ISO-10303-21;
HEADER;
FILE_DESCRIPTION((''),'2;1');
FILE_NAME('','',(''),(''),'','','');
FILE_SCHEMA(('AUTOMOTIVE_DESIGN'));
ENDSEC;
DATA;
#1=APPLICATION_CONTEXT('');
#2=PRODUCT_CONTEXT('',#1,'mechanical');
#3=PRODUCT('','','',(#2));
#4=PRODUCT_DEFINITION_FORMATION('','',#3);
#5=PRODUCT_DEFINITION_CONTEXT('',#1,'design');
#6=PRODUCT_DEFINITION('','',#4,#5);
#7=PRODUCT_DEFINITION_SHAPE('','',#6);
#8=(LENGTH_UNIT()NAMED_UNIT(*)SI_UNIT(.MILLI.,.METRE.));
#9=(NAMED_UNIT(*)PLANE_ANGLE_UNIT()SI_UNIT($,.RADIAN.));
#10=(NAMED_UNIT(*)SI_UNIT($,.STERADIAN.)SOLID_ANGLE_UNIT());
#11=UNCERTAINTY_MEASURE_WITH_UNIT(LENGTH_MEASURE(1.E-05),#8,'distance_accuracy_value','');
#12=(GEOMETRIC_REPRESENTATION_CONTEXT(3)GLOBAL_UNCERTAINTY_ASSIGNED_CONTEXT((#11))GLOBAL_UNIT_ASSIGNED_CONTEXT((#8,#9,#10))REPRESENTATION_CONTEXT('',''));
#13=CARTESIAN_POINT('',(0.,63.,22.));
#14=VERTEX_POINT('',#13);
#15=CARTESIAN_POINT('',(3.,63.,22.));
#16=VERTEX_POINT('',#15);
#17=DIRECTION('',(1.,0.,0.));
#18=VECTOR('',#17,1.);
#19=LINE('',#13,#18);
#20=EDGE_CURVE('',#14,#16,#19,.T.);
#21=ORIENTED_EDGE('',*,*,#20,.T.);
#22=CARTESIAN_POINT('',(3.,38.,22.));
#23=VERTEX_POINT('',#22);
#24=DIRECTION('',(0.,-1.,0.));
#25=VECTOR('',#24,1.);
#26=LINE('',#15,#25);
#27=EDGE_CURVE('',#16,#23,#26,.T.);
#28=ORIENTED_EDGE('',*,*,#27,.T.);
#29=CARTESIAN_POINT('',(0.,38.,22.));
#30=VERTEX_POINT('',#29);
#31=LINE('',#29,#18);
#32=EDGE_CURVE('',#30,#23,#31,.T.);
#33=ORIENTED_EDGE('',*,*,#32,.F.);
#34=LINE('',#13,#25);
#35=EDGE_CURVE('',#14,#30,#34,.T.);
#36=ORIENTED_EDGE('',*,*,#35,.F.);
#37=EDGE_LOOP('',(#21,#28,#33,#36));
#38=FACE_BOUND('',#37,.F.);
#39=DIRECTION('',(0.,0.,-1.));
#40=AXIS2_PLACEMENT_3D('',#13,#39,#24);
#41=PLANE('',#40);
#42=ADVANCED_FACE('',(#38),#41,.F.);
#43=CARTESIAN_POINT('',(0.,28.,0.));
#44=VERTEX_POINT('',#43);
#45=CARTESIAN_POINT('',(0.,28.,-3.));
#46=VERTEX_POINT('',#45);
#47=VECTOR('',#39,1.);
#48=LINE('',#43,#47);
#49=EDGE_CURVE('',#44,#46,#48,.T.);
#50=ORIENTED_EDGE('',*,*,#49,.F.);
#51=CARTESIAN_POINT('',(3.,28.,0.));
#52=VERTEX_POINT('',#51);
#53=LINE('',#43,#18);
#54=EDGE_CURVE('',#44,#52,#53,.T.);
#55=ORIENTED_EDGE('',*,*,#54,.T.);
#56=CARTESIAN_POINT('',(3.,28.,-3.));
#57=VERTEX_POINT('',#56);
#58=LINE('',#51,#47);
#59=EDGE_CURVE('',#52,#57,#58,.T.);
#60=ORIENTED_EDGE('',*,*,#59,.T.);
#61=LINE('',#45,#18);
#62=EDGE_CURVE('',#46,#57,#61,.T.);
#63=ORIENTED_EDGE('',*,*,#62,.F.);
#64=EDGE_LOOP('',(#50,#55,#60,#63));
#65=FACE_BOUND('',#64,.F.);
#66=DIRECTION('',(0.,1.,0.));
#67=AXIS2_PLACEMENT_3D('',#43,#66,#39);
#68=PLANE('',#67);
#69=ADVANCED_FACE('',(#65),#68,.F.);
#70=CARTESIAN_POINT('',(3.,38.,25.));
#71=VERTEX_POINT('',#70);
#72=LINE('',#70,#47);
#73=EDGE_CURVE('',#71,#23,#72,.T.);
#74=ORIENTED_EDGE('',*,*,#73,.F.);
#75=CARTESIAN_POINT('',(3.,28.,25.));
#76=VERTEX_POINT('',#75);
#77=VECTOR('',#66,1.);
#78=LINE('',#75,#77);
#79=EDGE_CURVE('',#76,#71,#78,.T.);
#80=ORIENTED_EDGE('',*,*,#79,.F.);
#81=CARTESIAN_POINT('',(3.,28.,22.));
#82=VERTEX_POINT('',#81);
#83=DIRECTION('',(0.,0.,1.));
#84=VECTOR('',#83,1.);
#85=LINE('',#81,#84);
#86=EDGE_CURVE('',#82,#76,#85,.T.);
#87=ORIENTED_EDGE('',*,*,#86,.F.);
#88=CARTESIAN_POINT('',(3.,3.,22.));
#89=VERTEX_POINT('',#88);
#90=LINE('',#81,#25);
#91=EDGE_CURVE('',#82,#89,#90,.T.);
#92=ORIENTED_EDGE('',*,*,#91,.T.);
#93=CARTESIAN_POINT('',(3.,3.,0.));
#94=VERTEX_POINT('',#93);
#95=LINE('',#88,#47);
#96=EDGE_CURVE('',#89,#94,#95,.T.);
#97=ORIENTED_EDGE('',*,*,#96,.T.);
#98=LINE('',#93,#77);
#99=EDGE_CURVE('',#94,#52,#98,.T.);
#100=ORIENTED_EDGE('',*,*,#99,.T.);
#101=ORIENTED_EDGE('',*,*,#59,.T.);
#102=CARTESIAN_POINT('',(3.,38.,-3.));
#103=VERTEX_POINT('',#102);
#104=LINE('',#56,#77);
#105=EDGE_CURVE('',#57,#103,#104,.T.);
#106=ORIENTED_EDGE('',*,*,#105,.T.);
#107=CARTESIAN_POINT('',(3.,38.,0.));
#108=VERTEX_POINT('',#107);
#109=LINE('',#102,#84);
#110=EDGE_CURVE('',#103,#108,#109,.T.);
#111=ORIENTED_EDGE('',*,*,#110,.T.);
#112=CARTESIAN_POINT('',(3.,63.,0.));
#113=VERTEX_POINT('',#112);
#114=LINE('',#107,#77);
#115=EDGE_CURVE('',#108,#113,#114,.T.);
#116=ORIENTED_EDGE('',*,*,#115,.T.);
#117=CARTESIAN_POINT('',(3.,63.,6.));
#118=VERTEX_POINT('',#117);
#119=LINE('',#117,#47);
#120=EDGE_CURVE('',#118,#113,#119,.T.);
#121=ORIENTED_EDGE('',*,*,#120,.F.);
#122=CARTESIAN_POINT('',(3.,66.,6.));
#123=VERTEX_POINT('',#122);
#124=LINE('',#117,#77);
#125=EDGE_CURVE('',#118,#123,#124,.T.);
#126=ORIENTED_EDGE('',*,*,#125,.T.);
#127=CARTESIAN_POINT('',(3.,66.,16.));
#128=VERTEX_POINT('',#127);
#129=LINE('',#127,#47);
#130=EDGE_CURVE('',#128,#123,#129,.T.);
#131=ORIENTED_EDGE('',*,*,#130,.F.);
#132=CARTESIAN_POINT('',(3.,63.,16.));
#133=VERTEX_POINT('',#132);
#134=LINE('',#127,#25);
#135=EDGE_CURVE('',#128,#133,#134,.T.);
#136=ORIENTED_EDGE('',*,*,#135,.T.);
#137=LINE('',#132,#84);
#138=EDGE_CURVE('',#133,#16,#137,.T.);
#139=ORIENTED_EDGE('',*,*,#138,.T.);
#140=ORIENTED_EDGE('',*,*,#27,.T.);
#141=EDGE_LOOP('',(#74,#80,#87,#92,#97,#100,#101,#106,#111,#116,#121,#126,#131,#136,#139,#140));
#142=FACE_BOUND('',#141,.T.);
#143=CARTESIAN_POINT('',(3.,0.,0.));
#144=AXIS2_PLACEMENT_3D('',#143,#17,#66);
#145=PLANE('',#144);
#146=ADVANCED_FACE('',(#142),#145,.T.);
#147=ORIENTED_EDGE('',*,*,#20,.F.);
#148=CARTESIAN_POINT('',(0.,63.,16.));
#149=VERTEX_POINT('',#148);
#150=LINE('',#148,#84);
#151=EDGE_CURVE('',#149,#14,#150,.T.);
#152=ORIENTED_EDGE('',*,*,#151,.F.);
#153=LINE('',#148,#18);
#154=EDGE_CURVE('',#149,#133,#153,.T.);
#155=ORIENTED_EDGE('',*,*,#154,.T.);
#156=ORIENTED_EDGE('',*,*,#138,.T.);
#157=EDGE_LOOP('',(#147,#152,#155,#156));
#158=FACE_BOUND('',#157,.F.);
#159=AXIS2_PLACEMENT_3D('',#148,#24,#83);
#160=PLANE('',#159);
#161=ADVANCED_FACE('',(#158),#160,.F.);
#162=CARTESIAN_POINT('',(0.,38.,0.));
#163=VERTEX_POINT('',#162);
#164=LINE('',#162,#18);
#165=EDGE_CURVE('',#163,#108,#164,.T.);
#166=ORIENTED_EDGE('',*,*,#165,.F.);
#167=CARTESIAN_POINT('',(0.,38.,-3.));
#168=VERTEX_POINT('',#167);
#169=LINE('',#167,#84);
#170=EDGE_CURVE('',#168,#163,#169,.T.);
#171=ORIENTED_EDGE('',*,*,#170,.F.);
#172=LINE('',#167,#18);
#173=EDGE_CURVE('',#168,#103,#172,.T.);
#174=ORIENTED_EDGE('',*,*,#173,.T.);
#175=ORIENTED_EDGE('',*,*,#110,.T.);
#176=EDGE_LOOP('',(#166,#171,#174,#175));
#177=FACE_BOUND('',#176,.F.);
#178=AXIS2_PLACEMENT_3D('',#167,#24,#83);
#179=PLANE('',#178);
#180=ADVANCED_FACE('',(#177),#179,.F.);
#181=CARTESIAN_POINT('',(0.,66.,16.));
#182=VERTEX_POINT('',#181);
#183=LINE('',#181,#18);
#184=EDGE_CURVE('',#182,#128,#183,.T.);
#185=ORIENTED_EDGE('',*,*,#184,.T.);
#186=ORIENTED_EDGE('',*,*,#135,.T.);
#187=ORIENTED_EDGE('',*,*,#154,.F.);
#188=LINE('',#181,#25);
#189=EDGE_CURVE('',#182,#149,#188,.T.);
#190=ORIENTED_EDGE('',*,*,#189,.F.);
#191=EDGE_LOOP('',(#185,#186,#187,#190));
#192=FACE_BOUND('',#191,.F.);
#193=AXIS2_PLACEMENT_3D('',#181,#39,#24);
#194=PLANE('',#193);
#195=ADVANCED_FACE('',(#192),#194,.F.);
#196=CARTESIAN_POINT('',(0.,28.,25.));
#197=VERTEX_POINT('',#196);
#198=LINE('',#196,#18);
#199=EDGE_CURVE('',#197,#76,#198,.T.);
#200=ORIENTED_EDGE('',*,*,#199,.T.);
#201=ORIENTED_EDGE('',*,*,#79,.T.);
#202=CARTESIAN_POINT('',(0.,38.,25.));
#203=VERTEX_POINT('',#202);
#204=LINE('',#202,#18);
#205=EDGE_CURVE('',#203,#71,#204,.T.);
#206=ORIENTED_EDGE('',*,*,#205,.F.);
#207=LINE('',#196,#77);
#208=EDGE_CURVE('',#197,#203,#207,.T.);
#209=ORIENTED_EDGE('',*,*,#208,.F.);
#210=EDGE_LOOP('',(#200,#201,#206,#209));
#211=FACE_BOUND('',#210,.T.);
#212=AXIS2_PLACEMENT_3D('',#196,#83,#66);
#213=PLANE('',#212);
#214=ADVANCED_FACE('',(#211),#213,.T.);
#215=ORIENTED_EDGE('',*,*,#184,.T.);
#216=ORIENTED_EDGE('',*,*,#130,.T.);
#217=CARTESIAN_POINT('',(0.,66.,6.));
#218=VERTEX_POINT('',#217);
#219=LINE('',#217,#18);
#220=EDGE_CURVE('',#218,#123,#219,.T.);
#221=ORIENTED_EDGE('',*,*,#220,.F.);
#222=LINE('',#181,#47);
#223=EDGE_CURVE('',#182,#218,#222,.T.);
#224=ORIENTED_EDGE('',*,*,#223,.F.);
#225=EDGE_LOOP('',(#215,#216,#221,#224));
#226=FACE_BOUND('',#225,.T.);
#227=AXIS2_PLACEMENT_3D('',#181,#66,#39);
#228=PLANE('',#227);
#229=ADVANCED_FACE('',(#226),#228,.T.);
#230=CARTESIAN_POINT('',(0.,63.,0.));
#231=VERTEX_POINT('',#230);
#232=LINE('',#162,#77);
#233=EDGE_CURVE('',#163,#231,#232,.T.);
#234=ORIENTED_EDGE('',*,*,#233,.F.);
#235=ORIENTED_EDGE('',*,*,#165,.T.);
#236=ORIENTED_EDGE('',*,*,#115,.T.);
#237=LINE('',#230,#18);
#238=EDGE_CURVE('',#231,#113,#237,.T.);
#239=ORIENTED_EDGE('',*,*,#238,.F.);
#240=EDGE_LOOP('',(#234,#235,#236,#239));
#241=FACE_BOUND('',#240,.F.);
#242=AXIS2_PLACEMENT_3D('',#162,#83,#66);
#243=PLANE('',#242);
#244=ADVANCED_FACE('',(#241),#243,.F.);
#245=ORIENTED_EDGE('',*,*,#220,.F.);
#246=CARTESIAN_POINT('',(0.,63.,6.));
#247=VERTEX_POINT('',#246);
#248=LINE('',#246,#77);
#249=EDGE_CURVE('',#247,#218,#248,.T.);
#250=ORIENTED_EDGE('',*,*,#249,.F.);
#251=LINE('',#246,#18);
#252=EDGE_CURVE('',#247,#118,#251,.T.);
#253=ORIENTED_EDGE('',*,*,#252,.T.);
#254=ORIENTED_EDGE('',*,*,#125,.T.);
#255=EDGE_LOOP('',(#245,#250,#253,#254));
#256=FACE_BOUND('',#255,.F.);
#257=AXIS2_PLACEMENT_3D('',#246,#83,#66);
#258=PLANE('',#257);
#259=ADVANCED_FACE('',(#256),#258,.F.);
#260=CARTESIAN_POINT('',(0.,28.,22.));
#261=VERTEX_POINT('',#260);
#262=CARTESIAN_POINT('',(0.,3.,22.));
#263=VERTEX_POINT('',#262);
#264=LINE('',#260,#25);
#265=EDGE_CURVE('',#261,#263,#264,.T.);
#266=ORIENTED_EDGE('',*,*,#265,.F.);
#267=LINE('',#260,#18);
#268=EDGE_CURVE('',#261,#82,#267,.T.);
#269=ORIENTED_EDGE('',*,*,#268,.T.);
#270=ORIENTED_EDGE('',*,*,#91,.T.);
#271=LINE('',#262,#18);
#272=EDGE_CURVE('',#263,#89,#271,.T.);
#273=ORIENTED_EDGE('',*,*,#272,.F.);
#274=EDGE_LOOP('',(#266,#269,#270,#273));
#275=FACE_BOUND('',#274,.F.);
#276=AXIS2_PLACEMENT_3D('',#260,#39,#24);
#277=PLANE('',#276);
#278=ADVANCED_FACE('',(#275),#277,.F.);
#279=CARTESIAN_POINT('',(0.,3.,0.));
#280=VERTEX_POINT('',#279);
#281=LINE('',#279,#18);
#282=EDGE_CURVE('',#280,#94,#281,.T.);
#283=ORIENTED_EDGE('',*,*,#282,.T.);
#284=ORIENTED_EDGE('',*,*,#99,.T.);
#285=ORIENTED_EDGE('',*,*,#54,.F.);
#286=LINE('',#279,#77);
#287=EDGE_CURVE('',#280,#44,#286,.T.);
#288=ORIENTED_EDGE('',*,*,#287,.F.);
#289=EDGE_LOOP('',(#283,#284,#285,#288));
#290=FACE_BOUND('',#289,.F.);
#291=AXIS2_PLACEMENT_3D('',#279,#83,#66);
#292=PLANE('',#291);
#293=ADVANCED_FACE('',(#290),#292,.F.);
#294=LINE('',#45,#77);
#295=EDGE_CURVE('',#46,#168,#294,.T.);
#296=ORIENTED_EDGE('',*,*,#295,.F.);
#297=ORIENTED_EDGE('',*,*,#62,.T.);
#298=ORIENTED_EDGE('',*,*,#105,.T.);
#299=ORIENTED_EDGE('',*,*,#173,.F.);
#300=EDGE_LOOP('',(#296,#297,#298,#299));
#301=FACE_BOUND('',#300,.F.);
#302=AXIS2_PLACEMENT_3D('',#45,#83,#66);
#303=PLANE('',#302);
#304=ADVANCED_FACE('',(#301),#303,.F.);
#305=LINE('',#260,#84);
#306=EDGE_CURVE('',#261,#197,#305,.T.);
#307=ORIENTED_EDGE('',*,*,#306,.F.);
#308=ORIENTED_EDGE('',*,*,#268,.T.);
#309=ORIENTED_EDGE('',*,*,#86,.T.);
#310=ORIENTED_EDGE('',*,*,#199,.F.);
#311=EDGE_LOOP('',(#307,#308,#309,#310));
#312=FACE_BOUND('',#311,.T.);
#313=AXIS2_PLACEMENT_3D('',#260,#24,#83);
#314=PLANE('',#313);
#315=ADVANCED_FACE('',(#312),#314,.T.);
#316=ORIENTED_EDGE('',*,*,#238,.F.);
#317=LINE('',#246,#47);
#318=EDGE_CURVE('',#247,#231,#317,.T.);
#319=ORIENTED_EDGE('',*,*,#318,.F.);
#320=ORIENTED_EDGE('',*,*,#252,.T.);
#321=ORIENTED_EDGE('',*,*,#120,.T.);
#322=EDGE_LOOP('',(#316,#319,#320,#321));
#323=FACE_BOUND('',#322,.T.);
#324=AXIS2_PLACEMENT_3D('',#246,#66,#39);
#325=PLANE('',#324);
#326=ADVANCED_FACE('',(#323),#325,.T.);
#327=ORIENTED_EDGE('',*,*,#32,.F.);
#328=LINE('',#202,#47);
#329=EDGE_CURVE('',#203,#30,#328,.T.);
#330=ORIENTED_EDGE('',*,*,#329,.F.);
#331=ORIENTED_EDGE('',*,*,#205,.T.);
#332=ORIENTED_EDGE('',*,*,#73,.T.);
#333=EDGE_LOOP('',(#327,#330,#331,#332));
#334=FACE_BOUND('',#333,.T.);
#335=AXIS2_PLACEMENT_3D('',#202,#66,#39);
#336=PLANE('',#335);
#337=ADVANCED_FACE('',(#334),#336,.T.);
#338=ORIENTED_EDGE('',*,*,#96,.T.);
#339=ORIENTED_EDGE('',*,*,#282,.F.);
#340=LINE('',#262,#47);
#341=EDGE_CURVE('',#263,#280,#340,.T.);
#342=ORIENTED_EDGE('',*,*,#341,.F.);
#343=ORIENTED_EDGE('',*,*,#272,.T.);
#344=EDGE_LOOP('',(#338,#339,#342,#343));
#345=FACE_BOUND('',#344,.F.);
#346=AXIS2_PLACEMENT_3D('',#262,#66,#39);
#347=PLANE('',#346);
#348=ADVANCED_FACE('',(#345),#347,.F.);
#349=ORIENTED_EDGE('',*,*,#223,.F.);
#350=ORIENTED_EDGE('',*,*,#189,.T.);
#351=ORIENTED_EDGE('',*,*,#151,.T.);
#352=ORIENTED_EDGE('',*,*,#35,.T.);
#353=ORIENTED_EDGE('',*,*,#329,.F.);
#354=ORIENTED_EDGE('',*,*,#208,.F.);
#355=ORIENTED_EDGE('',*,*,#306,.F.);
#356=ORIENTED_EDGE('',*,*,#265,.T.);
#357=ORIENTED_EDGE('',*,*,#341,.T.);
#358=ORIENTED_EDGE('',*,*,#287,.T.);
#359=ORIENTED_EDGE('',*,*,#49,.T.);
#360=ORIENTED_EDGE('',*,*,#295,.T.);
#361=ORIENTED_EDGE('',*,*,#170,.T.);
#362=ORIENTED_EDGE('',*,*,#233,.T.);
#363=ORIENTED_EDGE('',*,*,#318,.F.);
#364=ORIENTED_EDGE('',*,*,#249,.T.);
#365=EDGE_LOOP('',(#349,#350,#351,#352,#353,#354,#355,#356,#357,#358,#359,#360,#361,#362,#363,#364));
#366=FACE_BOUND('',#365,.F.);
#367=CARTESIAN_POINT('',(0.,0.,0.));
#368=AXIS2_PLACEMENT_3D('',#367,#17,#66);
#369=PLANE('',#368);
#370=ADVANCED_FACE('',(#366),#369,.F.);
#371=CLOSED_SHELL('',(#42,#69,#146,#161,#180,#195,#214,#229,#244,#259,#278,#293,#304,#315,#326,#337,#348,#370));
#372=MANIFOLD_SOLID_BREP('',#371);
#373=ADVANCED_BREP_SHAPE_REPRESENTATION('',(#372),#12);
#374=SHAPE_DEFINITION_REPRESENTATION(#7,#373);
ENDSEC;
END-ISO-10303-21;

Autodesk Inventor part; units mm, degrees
ref_plane "YZ Plane" through (0, 0, 0) normal (1, 0, 0) x (0, 1, 0)
ref_plane "XZ Plane" through (0, 0, 0) normal (0, 1, 0) x (-1, 0, 0)
ref_plane "XY Plane" through (0, 0, 0) normal (0, 0, 1) x (1, 0, 0)
sketch "Sketch1" plane through (0, 0, 0) normal (1, 0, 0) x (0, 1, 0)
  line L0 (28, 22) -> (28, 25)
  line L1 (28, 25) -> (38, 25)
  line L2 (38, 25) -> (38, 22)
  line L3 (63, 22) -> (38, 22)
  line L4 (28, 22) -> (3, 22)
  line L5 (28, 0) -> (28, -3)
  line L6 (28, -3) -> (38, -3)
  line L7 (38, -3) -> (38, 0)
  line L8 (3, 0) -> (28, 0)
  line L9 (38, 0) -> (63, 0)
  line L10 (66, 16) -> (63, 16)
  line L11 (63, 6) -> (66, 6)
  line L12 (3, 22) -> (3, 0)
  line L13 (63, 16) -> (63, 22)
  line L14 (63, 6) -> (63, 0)
  line L15 (66, 16) -> (66, 6)
  dimension "d2" = 3
  dimension "d3" = 10
  dimension "d5" = 3
  dimension "d6" = 3
  dimension "d11" = 3
  dimension "d12" = 10
  dimension "d19" = 22
  dimension "d23" = 6
  dimension "d24" = 10
  dimension "d25" = 6
  dimension "d26" = 25
  dimension "d27" = 25
  dimension "d28" = 25
  dimension "d29" = 10
  dimension "d30" = 25
extrude "Extrusion1" add sketch "Sketch1" along normal blind 3
properties part number "Side"
